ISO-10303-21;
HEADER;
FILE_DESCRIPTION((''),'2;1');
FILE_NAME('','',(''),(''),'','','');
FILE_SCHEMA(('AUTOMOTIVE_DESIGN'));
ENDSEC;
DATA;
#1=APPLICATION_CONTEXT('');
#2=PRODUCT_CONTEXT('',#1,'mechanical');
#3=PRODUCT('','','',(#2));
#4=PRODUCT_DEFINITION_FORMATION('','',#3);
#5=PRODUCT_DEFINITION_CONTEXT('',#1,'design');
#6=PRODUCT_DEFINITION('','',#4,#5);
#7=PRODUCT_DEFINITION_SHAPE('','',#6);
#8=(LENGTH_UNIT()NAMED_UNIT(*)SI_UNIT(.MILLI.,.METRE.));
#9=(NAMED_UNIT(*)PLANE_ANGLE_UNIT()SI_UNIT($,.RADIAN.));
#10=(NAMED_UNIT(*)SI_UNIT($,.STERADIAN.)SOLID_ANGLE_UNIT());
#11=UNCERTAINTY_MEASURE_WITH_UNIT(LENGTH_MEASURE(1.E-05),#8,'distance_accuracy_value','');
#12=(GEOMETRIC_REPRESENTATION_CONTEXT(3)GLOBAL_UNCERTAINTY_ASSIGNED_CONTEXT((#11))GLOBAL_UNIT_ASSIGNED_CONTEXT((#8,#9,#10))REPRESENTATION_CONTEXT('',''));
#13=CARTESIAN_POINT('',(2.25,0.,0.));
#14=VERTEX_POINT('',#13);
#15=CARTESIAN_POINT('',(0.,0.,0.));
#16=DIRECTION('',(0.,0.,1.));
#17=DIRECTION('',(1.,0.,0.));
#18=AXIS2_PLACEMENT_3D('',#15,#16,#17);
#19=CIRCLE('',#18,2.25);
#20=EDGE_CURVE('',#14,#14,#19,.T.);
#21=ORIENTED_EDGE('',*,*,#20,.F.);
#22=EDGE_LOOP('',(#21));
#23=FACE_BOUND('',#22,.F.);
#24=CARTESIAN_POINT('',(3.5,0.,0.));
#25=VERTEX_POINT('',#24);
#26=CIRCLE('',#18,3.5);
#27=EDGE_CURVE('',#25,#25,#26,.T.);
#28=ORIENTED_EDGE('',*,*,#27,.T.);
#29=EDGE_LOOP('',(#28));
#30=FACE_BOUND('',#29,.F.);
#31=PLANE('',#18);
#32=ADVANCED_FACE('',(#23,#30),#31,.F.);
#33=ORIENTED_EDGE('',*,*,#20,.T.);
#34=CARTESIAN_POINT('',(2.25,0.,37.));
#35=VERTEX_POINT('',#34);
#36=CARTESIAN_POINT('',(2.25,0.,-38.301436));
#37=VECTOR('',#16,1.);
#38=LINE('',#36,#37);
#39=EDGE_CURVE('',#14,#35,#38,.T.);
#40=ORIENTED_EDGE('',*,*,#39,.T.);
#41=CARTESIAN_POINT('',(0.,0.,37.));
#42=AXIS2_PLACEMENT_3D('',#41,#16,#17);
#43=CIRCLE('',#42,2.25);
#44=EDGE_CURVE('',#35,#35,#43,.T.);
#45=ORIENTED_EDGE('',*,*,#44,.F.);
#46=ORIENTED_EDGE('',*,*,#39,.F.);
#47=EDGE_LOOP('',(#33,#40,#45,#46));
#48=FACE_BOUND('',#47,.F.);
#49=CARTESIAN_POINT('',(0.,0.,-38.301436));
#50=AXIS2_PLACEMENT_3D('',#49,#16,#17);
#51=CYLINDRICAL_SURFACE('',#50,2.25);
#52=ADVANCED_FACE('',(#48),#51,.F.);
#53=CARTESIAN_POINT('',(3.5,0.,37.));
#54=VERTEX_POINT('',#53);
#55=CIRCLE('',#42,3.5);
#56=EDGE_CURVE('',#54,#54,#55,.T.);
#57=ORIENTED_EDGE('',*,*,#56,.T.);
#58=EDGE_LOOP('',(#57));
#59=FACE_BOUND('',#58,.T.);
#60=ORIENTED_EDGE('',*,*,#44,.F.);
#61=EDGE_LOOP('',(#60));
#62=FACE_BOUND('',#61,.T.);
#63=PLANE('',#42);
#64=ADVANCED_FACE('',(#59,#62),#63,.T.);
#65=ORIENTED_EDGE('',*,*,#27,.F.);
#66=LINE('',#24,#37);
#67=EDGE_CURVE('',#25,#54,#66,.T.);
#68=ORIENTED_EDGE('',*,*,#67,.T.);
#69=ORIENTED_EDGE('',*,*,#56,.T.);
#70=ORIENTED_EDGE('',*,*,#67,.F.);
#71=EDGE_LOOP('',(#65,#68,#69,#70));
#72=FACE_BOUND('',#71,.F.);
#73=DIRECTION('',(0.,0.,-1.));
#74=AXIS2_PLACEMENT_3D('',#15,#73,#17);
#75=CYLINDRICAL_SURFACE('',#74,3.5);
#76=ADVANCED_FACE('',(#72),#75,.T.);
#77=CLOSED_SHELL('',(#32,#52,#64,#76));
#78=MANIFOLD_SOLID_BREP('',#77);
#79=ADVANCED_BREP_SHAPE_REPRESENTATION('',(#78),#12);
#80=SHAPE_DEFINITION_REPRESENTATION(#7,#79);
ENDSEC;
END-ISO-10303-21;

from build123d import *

# Parameters (mm, degrees)
SKETCH1_R            = 3.5
BOSS_EXTRUDE1_DEPTH  = 37
M4_CLEARANCE_HOLE1_D = 4.5


with BuildPart() as part:
    # Sketch1 → Boss-Extrude1 (new body)
    with BuildSketch(Plane.XY):
        Circle(SKETCH1_R)
    extrude(amount=BOSS_EXTRUDE1_DEPTH)

    # M4 Clearance Hole1 (through all)
    with Locations(Plane(origin=(0, 0, 0), x_dir=(-1, 0, 0), z_dir=(0, 0, -1))):
        with Locations((0, 0)):
            Hole(M4_CLEARANCE_HOLE1_D / 2)


solid = part.part
